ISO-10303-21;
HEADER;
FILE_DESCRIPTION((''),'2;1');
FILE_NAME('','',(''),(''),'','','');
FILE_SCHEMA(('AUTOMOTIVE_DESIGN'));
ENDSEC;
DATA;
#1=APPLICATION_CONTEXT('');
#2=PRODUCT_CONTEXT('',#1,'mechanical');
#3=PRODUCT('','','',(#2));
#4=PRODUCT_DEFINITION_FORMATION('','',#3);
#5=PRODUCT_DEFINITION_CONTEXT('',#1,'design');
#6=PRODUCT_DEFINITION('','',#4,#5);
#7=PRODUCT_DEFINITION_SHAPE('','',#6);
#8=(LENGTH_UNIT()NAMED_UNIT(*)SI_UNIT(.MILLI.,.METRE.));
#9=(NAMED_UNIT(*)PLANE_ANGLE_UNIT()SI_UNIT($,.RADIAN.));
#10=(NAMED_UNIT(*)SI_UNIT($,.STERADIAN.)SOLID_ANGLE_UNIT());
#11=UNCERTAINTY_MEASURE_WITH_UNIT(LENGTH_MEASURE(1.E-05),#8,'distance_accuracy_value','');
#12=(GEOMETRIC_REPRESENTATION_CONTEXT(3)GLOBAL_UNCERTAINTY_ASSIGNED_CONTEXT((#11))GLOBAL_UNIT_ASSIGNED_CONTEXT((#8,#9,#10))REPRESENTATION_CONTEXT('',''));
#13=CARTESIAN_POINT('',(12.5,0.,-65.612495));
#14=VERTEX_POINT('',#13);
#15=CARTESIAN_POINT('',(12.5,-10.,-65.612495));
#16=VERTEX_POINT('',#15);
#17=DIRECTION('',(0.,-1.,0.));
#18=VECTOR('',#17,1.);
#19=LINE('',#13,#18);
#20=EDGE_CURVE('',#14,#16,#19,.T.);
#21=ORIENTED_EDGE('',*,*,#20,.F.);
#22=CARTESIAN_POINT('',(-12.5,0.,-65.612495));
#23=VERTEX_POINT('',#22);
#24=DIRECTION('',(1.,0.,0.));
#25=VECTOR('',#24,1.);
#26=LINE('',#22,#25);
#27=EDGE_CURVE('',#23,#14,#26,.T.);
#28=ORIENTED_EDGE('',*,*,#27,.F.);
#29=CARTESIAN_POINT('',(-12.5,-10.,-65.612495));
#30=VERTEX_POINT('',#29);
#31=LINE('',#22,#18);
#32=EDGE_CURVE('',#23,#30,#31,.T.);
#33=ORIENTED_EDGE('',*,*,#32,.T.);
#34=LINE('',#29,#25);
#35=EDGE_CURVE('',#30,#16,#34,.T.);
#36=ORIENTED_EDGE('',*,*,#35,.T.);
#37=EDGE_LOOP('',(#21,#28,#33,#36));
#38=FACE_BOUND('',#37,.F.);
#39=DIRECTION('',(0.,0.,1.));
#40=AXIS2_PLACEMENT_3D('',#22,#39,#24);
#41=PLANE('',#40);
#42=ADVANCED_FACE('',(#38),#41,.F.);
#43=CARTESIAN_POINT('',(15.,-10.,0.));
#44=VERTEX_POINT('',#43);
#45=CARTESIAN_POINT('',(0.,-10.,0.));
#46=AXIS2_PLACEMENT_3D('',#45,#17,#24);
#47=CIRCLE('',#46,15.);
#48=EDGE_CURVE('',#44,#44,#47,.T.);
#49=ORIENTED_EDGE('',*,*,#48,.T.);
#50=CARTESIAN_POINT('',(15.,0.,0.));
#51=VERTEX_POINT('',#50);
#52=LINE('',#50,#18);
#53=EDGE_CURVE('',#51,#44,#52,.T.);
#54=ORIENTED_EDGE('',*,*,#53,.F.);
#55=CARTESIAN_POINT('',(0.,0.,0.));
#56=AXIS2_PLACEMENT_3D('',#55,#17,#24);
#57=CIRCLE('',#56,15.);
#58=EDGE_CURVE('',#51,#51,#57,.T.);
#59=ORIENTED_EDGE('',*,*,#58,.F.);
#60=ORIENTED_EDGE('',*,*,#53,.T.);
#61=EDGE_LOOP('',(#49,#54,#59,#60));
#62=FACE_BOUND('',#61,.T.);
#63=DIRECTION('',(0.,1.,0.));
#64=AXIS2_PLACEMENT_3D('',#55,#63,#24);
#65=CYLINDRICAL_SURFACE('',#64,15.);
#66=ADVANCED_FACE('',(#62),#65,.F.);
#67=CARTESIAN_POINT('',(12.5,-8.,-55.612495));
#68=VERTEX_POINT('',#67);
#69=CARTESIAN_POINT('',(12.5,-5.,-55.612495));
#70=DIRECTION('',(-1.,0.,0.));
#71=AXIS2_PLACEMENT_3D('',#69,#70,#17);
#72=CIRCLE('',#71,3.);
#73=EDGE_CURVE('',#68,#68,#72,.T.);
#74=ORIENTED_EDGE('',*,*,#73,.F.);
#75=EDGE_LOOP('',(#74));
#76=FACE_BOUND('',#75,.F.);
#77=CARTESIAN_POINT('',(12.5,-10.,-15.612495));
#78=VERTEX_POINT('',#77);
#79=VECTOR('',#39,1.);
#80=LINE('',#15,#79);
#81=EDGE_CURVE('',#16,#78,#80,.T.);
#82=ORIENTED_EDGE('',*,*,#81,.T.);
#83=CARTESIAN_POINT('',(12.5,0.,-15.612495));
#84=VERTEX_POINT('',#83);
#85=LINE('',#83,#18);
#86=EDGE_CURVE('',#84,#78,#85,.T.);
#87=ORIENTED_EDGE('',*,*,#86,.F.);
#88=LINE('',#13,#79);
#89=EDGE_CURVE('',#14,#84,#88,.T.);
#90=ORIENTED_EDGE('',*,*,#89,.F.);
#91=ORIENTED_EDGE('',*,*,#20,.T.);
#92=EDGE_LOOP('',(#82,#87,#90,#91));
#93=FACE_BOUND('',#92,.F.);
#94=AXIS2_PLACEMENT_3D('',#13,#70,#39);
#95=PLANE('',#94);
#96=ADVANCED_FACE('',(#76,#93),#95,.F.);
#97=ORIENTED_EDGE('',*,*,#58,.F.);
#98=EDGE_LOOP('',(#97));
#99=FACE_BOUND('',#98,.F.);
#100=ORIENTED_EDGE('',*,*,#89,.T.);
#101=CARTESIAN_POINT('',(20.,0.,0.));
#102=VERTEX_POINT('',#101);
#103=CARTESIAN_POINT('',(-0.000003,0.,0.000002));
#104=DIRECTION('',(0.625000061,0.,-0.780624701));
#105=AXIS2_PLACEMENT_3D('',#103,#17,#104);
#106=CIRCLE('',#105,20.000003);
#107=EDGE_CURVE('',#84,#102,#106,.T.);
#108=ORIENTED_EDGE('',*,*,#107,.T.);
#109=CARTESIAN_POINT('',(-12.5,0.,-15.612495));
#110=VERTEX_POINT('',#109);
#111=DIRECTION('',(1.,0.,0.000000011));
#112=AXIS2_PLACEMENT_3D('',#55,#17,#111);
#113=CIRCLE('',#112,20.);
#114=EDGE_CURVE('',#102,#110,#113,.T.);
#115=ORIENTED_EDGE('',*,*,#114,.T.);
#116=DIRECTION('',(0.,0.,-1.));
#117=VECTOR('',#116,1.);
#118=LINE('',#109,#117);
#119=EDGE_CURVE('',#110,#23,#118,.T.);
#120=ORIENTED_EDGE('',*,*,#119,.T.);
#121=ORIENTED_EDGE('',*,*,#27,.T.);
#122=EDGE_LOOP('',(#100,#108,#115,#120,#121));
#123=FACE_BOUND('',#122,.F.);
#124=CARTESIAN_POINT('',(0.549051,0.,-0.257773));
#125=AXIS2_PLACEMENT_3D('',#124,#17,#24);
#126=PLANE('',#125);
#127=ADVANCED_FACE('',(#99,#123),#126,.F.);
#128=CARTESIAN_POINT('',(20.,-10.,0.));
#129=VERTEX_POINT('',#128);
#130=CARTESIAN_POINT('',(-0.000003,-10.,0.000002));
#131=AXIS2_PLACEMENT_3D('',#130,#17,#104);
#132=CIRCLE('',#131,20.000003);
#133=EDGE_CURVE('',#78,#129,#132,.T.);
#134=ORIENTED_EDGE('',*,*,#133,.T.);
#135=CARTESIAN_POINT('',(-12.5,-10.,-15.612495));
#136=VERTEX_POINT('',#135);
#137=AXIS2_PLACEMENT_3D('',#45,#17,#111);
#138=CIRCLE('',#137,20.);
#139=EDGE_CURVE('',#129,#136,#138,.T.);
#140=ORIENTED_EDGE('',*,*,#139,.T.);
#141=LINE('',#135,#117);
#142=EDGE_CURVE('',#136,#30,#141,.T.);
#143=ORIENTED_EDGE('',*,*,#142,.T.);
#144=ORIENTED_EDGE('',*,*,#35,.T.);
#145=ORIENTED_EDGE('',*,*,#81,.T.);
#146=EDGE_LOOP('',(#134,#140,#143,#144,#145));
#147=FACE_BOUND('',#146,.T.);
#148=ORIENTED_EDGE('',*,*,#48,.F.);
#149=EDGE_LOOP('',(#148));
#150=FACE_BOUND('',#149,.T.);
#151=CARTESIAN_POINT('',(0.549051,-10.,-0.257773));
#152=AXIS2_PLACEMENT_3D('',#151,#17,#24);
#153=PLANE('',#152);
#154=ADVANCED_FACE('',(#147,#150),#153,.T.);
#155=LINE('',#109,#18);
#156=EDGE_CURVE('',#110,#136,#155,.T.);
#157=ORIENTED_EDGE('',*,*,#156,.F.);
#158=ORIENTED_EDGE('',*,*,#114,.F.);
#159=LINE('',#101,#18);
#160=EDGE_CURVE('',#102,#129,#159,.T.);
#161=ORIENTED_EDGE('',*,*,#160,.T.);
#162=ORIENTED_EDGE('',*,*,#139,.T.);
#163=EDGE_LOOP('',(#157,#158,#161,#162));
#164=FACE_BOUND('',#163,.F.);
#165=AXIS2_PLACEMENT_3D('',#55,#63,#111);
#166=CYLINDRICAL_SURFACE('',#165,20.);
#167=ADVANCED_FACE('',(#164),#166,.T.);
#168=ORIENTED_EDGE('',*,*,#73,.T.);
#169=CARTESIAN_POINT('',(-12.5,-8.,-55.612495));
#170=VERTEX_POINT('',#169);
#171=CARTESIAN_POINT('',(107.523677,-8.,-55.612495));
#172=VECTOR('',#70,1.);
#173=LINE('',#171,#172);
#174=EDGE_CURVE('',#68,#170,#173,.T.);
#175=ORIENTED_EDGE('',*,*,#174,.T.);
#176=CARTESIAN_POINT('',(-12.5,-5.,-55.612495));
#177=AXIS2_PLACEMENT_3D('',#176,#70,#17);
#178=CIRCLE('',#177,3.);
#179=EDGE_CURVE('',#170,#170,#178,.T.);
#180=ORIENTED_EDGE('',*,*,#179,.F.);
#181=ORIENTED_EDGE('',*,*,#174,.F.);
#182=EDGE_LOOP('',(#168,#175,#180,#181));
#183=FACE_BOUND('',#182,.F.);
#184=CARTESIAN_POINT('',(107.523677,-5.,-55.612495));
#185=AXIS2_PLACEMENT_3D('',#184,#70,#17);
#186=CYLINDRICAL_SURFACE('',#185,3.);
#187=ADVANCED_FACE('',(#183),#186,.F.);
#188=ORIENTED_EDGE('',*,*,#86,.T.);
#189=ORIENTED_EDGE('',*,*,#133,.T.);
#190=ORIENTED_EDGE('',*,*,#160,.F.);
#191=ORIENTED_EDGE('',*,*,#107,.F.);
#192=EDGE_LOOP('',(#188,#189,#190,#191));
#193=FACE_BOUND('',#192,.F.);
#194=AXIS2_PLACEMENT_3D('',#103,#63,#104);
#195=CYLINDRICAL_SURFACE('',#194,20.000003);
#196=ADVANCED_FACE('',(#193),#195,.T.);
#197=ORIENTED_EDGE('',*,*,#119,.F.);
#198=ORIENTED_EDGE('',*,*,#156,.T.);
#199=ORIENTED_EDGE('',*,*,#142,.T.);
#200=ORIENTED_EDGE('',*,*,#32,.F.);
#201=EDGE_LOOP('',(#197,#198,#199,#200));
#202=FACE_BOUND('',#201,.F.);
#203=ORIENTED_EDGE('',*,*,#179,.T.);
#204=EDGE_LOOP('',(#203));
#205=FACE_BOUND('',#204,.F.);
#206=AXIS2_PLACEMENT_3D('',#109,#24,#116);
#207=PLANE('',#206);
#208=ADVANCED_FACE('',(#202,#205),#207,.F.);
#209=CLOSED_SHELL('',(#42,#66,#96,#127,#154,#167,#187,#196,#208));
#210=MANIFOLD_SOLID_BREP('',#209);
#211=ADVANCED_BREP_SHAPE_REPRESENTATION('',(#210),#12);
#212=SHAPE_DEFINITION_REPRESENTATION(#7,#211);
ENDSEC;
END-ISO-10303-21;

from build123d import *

# Parameters (mm, degrees)
F0_R     = 15
F1_DEPTH = 10
F3_D     = 6


with BuildPart() as f1:
    # F0 (on Front) → F1 (new body)
    with BuildSketch(Plane.XZ):
        with BuildLine():
            ThreePointArc((12.5, -15.612495), (18.027756, -8.660254), (20, 0))
            ThreePointArc((20, 0), (-8.660254, 18.027756), (-12.5, -15.612495))
            Line((-12.5, -15.612495), (12.5, -15.612495))
        make_face()
        Circle(F0_R, mode=Mode.SUBTRACT)
        with BuildLine():
            ThreePointArc((12.5, -15.612495), (0, -20), (-12.5, -15.612495))
            Line((-12.5, -15.612495), (-12.5, -65.612495))
            Line((-12.5, -65.612495), (12.5, -65.612495))
            Line((12.5, -65.612495), (12.5, -15.612495))
        make_face()
        with BuildLine():
            Line((12.5, -15.612495), (-12.5, -15.612495))
            ThreePointArc((-12.5, -15.612495), (0, -20), (12.5, -15.612495))
        make_face()
    extrude(amount=F1_DEPTH)

    # F3 (through all)
    with Locations(Plane.YZ.offset(12.5)):
        with Locations((-5, -55.612495)):
            Hole(F3_D / 2)


solid = f1.part
